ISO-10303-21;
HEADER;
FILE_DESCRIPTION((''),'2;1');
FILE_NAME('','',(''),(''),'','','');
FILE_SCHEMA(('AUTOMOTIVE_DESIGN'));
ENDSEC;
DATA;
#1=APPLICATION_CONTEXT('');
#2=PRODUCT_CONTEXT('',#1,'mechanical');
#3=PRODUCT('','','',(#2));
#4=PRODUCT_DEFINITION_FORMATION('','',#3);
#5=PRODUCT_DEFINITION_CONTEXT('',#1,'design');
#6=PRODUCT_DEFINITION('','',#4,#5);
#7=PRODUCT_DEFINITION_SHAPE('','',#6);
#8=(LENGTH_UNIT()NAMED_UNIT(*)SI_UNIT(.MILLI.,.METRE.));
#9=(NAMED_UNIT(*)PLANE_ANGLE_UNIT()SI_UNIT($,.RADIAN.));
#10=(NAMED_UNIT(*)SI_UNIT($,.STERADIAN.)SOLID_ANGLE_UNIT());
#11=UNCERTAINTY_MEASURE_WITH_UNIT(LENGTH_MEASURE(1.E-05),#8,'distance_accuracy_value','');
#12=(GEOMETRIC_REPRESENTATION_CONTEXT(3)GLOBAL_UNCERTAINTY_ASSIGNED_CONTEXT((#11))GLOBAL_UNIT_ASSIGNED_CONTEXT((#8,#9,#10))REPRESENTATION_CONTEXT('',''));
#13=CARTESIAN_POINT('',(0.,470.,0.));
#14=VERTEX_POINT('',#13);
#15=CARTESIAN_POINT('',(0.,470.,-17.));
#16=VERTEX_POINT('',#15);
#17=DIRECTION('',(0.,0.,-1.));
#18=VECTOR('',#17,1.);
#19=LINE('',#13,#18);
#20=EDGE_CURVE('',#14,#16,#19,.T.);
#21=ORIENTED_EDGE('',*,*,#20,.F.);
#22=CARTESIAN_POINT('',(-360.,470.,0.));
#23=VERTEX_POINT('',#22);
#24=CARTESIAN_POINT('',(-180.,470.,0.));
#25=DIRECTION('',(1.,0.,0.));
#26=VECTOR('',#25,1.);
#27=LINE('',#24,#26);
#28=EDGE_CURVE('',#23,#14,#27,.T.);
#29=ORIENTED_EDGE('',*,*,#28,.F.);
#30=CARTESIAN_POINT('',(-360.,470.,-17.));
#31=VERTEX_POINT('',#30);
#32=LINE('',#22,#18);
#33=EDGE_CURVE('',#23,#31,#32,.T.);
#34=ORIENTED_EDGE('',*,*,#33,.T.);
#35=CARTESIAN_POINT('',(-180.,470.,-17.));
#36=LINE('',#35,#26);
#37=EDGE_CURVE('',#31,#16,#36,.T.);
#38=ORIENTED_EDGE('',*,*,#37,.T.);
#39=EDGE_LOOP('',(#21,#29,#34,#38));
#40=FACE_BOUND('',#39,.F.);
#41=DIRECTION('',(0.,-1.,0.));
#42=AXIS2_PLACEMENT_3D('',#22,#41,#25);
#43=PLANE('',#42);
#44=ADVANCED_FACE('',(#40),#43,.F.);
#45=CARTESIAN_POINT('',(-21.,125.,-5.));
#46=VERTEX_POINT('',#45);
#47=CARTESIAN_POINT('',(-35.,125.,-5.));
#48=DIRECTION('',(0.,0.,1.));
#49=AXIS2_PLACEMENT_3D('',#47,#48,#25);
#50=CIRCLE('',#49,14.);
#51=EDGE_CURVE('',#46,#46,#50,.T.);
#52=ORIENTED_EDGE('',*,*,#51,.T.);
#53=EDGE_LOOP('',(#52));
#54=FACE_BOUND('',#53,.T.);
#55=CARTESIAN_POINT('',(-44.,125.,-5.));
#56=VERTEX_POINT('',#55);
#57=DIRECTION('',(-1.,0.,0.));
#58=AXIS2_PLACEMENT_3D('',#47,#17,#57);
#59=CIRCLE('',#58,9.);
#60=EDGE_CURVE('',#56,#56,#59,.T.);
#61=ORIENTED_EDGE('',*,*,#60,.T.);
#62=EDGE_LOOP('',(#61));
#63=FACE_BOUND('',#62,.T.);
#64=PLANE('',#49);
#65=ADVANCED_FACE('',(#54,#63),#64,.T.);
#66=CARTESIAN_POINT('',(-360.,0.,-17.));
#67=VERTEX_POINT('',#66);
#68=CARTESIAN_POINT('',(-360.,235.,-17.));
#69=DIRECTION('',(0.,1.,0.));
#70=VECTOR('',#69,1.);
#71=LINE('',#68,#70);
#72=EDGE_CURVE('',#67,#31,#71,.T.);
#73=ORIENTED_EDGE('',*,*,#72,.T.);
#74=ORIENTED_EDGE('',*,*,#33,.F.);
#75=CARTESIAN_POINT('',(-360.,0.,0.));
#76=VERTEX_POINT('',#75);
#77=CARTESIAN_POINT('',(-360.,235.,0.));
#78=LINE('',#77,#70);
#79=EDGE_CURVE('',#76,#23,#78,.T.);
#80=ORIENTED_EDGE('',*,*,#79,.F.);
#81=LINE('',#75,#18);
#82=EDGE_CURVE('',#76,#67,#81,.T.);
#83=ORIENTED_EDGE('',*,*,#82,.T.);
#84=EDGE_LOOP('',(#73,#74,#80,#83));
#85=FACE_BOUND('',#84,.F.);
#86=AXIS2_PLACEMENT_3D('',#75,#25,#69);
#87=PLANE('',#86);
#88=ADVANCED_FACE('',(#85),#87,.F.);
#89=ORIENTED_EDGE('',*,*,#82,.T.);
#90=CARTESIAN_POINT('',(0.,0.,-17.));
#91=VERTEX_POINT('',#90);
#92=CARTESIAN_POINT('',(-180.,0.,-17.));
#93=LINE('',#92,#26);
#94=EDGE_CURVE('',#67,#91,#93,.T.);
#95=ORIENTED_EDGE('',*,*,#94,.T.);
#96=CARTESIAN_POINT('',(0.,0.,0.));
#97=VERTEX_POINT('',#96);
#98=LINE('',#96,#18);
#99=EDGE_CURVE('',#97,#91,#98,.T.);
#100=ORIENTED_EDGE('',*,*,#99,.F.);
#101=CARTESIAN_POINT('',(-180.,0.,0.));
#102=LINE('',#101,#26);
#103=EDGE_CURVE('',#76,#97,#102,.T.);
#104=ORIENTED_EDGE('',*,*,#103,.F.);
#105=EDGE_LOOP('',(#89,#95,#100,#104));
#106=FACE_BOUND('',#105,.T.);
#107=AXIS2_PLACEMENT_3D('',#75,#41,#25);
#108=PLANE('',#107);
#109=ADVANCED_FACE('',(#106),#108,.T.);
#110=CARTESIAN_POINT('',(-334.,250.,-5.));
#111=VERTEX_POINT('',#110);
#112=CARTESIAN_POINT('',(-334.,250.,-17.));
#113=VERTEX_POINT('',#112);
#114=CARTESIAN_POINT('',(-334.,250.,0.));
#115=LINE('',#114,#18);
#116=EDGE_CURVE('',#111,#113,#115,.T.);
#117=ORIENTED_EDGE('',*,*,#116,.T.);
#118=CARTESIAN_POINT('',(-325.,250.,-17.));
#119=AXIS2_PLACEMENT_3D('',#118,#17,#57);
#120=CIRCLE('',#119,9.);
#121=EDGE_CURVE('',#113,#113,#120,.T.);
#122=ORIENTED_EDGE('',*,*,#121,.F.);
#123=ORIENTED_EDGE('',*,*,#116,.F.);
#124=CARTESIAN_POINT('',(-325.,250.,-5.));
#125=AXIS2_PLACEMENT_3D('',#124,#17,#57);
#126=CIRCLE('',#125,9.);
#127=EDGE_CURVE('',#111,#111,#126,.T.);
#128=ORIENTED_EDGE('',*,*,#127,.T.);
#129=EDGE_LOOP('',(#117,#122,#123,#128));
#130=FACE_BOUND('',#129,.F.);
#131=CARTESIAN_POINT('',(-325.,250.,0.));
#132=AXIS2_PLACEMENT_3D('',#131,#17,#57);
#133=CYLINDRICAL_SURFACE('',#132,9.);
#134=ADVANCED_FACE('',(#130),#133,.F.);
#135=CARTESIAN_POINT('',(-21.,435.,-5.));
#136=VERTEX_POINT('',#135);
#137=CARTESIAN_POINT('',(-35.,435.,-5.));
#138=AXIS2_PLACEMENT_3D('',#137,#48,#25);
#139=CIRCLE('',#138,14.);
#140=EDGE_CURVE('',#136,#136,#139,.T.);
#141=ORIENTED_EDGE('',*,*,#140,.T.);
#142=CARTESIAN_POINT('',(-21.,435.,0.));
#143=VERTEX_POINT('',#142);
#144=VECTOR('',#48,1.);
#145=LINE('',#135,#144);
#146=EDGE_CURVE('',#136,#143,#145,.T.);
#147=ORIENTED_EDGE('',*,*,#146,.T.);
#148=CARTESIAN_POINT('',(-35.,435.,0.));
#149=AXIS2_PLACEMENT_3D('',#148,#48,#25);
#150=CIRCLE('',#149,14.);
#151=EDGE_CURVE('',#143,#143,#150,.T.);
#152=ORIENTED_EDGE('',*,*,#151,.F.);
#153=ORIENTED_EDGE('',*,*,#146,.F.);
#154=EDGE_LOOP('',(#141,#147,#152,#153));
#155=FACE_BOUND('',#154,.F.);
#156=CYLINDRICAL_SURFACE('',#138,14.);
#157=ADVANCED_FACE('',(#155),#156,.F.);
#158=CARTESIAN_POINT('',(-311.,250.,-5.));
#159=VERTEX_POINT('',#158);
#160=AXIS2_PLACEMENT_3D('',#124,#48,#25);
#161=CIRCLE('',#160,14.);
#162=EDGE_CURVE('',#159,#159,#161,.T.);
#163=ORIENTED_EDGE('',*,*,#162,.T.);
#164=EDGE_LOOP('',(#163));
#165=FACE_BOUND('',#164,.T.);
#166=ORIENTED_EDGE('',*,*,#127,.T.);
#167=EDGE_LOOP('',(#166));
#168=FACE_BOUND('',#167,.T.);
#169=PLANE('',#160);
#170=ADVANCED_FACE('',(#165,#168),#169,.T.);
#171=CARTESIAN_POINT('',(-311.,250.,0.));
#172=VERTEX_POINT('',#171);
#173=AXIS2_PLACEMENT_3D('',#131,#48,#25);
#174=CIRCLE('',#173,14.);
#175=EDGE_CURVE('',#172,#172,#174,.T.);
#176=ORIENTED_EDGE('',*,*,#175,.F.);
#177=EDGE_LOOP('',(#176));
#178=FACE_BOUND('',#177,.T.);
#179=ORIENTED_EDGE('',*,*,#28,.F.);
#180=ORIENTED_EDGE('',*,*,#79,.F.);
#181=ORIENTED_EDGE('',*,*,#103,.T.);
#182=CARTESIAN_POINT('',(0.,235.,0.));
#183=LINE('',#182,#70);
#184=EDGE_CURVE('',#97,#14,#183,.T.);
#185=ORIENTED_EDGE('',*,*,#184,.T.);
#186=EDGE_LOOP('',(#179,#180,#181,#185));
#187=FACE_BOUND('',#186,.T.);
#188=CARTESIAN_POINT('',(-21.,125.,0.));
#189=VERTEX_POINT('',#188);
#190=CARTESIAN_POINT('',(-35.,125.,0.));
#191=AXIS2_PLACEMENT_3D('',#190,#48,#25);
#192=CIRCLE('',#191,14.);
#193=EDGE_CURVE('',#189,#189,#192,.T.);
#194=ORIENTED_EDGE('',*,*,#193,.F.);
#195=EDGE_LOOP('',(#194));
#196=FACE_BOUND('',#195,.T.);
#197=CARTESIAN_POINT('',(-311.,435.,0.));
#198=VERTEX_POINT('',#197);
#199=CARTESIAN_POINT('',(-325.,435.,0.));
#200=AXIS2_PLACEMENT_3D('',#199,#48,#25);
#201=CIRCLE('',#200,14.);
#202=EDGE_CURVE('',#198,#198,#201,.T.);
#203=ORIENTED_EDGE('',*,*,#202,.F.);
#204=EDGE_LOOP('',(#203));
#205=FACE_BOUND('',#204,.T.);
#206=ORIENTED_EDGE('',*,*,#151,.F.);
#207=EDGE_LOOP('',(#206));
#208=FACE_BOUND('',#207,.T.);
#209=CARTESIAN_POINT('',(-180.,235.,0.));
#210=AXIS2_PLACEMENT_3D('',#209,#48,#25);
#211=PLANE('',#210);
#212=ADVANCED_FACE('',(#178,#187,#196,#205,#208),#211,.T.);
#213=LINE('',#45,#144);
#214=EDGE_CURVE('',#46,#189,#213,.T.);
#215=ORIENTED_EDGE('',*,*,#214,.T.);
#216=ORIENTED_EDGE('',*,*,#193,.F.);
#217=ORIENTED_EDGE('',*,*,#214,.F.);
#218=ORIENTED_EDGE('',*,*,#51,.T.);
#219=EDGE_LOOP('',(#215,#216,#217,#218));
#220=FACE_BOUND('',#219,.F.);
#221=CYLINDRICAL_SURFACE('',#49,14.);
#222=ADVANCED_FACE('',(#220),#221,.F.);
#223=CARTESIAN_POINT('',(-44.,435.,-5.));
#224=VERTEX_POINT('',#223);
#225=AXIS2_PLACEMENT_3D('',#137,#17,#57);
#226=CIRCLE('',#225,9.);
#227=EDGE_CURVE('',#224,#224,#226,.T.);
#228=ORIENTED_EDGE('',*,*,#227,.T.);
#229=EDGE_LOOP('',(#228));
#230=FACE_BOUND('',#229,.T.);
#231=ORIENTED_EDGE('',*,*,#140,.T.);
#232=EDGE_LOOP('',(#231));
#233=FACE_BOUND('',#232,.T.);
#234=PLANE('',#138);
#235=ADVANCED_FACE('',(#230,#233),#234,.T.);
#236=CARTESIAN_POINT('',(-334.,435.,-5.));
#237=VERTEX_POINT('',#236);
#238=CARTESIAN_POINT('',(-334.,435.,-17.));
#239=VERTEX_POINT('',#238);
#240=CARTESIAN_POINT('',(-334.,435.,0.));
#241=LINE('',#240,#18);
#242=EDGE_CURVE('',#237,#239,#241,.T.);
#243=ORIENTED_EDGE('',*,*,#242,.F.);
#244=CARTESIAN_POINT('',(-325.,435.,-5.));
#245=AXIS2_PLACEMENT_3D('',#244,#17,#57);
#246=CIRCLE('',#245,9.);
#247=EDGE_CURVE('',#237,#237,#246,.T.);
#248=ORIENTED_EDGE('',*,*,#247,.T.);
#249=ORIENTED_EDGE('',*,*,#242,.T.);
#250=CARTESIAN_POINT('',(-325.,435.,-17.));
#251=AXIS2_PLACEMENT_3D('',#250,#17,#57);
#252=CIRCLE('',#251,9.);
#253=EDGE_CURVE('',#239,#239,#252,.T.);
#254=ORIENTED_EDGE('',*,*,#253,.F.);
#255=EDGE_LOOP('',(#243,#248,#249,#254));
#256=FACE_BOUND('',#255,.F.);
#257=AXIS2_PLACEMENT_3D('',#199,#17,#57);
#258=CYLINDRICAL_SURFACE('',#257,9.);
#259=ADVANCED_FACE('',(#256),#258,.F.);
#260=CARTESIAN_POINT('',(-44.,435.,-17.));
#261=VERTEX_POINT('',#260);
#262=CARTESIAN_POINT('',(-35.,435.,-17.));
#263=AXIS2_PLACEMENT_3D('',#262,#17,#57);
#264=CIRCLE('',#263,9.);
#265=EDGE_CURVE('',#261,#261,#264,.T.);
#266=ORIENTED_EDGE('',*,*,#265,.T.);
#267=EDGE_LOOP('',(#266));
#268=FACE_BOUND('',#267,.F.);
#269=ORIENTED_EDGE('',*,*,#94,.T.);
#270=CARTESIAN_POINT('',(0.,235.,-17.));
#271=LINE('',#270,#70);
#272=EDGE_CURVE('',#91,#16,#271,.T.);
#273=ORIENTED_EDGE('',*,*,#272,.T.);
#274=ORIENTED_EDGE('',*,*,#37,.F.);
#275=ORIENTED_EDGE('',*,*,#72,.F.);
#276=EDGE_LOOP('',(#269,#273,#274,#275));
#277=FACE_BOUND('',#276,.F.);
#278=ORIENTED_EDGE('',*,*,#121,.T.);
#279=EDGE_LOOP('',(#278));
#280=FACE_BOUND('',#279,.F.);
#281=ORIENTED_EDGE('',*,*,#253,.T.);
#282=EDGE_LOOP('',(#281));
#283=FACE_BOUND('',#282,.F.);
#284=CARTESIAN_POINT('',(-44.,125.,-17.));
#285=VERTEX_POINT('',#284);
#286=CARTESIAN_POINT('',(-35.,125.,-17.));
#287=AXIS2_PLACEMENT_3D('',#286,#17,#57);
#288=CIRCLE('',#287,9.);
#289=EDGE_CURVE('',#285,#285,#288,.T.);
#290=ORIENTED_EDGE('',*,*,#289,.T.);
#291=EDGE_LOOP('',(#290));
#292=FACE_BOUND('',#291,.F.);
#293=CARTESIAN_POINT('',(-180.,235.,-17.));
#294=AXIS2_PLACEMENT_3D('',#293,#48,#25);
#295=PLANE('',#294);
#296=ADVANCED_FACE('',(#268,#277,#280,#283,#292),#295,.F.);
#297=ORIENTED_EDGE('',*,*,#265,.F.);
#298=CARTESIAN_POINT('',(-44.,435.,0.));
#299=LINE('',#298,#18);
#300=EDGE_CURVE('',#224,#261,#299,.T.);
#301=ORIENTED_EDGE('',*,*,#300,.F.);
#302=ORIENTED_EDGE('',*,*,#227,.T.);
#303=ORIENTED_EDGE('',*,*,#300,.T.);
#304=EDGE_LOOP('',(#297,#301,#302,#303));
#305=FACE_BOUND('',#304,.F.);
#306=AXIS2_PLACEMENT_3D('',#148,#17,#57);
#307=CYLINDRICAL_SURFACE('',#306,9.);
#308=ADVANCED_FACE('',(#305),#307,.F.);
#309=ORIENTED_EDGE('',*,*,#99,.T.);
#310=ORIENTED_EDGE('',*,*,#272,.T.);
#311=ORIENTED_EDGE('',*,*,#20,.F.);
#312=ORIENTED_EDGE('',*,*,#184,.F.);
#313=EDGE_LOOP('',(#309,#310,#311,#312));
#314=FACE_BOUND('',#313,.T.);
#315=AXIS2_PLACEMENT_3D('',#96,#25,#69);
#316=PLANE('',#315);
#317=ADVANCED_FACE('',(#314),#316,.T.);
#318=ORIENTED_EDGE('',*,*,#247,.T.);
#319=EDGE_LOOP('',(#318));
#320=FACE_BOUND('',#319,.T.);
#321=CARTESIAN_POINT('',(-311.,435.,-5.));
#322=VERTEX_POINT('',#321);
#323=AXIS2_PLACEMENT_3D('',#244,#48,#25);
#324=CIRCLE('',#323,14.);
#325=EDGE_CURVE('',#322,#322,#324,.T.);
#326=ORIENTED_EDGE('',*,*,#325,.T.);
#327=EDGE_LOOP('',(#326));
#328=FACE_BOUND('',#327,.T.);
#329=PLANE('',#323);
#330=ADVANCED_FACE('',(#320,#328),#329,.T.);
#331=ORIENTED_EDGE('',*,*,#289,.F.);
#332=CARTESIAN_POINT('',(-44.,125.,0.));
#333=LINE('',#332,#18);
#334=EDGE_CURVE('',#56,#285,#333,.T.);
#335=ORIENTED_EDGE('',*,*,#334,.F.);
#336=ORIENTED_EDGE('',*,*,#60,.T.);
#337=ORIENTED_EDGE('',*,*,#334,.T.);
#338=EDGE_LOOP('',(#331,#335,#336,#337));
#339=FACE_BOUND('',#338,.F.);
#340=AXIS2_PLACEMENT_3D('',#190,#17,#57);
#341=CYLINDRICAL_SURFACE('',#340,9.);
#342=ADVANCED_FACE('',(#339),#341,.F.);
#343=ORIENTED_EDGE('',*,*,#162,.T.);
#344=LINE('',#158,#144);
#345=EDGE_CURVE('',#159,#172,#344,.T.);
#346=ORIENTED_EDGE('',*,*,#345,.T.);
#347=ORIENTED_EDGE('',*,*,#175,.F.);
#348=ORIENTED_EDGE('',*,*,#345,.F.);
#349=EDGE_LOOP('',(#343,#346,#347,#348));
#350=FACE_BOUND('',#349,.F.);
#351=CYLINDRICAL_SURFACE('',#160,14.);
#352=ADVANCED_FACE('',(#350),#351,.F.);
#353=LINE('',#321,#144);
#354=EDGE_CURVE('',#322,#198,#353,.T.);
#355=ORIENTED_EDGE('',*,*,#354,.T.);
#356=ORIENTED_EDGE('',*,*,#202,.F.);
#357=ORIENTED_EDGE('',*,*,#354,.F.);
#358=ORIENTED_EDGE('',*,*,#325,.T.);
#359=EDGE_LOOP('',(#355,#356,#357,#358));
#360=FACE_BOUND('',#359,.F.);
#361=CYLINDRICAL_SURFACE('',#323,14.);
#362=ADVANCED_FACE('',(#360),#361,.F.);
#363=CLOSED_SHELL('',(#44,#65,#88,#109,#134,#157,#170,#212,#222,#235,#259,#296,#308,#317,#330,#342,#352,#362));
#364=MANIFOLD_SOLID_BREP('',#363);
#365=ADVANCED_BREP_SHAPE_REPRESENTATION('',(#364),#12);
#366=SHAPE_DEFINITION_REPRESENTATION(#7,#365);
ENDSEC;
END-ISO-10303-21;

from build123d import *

# Parameters (mm, degrees)
F0_W           = 360
F0_H           = 470
F1_DEPTH       = 17
F2_D           = 18
F2_CBORE_D     = 28
F2_CBORE_DEPTH = 5


with BuildPart() as f1:
    # F0 (on Top) → F1 (new body)
    with BuildSketch(Plane.XY):
        with Locations((-180, 235)):
            Rectangle(F0_W, F0_H)
    extrude(amount=-F1_DEPTH)

    # F2 (through all)
    with Locations(Plane.XY):
        with Locations((-325, 435), (-325, 250), (-35, 125), (-35, 435)):
            CounterBoreHole(F2_D / 2, F2_CBORE_D / 2, F2_CBORE_DEPTH)


solid = f1.part
